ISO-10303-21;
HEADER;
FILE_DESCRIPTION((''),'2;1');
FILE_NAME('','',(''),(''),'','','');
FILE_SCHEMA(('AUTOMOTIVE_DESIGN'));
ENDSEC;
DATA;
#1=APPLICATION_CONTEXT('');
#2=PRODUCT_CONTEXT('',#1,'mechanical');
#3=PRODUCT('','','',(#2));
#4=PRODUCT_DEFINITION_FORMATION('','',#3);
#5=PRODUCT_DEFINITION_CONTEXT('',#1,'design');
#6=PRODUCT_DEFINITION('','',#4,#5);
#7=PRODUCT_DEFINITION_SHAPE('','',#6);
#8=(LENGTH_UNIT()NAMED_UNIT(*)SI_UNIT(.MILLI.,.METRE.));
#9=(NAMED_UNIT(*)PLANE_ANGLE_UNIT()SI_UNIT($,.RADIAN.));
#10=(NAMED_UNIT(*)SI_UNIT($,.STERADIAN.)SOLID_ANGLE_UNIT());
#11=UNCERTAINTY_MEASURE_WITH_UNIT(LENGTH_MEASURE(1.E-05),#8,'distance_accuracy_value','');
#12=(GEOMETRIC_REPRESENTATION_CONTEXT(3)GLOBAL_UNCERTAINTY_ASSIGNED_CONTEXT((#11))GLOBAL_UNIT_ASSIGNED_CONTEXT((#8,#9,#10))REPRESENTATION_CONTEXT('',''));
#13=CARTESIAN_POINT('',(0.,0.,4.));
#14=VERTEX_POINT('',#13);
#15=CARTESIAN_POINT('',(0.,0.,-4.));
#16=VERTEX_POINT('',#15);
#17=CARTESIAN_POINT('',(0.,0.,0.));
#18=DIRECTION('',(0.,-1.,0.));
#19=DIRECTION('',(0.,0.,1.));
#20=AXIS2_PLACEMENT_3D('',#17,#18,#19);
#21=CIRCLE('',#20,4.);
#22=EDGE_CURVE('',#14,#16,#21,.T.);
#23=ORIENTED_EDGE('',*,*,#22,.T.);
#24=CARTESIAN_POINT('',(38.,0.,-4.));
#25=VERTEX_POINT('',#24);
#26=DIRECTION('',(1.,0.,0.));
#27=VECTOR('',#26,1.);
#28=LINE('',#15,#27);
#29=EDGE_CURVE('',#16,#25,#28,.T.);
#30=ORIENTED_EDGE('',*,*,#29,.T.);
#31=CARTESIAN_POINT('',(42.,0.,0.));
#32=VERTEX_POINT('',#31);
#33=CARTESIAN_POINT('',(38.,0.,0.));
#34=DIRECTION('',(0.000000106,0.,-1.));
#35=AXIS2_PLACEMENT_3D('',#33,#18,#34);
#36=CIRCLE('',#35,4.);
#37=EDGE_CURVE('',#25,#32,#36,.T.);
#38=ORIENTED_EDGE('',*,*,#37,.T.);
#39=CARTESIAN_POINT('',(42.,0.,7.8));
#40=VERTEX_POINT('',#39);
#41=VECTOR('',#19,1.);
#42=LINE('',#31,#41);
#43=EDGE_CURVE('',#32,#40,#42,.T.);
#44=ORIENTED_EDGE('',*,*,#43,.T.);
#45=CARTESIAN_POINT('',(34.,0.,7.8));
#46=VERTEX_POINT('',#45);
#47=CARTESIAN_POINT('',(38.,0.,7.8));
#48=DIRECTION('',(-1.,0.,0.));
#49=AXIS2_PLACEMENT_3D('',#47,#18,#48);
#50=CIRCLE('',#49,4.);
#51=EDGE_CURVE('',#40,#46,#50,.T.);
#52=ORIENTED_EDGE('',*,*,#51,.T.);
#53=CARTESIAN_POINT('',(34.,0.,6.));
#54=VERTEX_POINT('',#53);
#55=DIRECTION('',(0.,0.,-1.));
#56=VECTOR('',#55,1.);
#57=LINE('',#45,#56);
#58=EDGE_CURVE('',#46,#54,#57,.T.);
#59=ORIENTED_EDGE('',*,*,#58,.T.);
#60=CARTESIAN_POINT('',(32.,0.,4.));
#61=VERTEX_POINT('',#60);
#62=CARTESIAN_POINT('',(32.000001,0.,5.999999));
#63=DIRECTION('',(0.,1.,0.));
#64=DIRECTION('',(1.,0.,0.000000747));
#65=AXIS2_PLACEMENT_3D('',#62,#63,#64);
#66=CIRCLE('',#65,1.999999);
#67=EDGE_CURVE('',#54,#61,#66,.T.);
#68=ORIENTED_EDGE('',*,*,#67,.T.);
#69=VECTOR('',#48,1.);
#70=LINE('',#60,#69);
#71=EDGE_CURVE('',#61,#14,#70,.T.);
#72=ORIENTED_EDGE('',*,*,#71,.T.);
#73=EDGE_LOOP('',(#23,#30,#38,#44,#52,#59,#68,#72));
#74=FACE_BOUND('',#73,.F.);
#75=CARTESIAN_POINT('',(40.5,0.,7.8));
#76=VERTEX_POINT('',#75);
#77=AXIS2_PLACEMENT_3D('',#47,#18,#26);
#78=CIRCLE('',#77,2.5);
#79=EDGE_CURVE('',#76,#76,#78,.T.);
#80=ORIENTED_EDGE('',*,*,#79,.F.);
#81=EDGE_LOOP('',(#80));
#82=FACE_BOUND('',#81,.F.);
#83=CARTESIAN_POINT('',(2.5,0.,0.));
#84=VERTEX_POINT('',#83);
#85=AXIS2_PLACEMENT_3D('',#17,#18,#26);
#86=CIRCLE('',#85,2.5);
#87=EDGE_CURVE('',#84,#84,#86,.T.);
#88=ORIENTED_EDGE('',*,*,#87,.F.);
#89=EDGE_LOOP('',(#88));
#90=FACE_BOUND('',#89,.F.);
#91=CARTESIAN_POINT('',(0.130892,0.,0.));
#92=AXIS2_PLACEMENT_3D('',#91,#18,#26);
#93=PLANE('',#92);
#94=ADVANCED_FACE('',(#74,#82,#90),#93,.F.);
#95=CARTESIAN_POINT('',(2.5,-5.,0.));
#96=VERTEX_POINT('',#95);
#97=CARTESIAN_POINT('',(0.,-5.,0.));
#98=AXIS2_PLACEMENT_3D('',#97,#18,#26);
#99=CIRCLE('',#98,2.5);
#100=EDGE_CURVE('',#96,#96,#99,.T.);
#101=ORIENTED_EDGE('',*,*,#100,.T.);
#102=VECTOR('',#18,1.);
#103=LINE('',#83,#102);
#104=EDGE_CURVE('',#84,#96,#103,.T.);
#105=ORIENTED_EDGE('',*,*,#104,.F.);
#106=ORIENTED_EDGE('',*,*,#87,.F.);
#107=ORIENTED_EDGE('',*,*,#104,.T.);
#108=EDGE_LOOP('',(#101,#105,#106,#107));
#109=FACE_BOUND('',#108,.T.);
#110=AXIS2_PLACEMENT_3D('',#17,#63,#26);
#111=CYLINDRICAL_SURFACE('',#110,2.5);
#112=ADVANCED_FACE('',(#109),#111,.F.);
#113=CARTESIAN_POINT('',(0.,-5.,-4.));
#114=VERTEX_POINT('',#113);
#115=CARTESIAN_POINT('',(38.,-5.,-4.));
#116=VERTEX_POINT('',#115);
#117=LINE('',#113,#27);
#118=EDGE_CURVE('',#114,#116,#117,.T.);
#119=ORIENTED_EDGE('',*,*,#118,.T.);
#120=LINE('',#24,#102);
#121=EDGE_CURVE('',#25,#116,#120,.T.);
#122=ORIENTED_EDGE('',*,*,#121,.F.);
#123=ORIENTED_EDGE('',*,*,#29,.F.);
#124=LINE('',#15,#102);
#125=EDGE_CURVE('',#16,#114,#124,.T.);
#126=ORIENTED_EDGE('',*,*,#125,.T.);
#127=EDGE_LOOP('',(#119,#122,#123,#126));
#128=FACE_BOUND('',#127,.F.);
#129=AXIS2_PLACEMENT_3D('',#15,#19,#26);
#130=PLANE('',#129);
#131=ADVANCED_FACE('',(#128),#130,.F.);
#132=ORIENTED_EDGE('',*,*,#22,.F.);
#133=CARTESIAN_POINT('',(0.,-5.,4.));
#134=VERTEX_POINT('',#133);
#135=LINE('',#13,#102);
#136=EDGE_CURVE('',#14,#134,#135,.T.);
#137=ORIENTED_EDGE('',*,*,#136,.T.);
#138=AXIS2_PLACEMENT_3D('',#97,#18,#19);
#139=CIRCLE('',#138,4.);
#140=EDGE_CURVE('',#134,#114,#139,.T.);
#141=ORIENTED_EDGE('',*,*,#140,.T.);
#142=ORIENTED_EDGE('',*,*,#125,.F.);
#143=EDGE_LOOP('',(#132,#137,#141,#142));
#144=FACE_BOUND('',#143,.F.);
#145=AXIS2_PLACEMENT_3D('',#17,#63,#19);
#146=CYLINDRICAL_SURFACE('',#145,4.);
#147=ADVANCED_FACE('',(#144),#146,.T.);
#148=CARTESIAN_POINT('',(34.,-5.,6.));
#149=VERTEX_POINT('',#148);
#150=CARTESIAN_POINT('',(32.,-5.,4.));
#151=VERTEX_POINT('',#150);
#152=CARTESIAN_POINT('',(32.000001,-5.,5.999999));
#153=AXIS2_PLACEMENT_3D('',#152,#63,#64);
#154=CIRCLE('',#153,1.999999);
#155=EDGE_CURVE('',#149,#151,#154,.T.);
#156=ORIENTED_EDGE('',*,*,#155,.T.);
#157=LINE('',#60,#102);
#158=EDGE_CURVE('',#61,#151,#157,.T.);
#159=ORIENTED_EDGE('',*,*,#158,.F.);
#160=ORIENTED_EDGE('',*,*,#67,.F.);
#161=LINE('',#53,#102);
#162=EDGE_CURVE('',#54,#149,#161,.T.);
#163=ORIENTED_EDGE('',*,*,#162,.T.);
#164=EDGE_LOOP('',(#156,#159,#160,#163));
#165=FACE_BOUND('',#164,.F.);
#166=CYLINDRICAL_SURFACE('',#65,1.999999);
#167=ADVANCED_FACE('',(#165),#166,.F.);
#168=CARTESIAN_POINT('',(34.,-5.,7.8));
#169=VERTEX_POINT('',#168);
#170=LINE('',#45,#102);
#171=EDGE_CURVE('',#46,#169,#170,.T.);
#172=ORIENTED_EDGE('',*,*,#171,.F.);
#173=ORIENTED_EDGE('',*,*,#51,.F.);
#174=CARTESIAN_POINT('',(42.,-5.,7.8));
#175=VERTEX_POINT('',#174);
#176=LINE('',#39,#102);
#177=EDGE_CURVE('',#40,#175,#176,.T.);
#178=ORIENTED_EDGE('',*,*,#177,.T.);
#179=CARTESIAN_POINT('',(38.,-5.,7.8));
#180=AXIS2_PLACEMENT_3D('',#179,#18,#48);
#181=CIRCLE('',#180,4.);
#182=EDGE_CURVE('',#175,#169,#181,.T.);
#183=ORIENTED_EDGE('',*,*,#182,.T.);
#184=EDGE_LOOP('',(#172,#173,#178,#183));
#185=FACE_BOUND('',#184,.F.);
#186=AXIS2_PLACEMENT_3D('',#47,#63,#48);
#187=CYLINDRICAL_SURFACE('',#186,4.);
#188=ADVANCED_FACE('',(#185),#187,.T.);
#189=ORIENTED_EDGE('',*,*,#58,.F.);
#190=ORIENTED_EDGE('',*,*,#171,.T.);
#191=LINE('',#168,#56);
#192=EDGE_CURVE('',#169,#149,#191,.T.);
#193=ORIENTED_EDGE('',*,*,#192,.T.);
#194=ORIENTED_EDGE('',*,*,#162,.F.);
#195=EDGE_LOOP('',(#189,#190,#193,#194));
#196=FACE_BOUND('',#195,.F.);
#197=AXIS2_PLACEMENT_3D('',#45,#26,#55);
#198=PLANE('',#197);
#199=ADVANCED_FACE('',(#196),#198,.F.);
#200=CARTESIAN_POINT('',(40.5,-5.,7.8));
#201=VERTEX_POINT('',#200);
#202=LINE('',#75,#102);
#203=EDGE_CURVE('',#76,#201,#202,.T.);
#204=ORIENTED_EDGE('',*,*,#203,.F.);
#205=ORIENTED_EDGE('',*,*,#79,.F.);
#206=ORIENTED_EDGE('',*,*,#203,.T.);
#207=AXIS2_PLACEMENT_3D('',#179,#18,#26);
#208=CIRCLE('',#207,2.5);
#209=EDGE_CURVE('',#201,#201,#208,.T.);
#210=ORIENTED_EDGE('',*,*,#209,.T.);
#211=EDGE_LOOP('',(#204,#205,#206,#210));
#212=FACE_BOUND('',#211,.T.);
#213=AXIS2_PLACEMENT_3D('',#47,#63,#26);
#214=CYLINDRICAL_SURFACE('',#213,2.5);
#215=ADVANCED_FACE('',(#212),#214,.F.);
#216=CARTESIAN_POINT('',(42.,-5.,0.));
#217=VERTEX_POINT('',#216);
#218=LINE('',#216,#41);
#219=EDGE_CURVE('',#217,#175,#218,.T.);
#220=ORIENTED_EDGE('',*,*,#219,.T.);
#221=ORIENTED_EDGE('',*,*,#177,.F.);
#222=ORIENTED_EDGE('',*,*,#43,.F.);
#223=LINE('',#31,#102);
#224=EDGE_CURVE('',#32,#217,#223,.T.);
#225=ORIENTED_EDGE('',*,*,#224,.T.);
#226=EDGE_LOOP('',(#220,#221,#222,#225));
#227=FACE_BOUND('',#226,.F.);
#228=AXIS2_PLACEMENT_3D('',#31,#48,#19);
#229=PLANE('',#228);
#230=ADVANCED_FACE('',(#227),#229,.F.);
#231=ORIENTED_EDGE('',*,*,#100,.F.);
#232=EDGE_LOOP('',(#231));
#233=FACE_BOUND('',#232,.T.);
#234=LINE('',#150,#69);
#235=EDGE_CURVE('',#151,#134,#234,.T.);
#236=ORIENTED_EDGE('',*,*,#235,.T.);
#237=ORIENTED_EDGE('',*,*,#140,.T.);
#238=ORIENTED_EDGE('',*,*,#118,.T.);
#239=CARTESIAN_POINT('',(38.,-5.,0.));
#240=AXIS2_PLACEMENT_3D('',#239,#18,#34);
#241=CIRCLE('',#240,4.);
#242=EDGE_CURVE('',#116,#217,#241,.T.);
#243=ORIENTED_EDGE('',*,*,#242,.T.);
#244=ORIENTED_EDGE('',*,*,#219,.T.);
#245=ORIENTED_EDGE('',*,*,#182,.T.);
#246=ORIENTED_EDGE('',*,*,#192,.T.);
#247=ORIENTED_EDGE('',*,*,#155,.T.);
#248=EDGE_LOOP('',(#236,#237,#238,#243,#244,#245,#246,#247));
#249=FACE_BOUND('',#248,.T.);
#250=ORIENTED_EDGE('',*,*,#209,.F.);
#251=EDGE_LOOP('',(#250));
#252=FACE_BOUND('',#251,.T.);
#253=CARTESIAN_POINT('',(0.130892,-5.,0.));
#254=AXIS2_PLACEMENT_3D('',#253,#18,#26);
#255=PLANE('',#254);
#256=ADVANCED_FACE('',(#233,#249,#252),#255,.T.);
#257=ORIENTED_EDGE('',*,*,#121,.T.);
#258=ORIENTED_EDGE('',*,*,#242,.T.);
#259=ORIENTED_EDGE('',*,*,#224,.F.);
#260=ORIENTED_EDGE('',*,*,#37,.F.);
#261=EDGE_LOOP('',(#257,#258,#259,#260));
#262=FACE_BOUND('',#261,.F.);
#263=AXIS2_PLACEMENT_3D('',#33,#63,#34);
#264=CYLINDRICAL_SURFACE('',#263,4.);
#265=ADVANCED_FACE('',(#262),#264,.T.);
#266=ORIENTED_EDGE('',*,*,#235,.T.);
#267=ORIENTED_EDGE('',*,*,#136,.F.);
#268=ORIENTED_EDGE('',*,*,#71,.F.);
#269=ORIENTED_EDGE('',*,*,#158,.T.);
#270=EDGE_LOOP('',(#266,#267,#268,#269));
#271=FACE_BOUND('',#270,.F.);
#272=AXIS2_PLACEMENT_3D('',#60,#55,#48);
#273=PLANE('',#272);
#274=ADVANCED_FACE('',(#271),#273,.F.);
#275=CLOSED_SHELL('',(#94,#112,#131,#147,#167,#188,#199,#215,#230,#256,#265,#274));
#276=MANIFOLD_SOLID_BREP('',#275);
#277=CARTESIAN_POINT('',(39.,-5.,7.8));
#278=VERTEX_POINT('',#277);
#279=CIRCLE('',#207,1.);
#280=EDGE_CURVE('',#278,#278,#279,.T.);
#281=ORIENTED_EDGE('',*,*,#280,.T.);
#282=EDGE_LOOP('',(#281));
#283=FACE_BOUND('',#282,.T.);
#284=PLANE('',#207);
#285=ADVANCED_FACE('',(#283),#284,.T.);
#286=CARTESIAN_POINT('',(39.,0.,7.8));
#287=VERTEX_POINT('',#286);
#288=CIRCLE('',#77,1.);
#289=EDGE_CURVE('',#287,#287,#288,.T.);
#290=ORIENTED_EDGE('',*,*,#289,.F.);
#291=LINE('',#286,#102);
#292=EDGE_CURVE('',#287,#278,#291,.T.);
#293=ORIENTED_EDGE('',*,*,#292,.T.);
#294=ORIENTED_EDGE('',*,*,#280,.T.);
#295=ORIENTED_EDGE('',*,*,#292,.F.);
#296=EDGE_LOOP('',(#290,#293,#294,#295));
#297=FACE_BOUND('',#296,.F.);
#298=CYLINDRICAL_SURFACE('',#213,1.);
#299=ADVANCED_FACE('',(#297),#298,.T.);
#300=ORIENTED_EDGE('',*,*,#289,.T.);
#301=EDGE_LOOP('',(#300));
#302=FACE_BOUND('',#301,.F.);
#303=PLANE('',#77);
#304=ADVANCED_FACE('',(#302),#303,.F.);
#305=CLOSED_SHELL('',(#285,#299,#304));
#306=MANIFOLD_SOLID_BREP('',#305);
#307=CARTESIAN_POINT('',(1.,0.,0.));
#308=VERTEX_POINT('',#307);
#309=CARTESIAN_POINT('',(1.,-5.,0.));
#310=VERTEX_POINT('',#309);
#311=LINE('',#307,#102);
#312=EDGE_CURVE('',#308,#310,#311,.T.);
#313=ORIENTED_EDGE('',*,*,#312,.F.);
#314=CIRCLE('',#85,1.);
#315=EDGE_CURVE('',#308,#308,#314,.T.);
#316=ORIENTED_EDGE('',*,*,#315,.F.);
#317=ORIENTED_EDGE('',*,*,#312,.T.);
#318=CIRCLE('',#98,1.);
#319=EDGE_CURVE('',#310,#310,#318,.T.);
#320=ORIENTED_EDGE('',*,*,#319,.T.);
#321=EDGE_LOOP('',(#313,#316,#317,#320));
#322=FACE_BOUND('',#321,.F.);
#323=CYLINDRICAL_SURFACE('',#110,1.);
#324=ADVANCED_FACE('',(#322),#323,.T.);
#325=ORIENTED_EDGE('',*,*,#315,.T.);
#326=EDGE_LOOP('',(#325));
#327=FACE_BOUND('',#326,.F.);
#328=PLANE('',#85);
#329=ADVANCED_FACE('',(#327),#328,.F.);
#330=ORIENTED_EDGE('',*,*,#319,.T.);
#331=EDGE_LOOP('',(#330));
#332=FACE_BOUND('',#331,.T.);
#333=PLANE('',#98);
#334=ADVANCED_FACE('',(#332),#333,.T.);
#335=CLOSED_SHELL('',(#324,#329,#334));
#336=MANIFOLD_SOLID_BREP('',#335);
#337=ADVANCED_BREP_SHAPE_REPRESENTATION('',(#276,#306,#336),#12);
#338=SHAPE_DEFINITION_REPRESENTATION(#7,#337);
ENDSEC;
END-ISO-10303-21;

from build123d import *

# Parameters (mm, degrees)
F0_R     = 2.5
F0_R_2   = 1
F1_DEPTH = 5


with BuildPart() as f1:
    # F0 (on Front) → F1 (new body)
    with BuildSketch(Plane.XZ):
        with BuildLine():
            ThreePointArc((0, -4), (2.828427, -2.828427), (4, 0))
            ThreePointArc((4, 0), (2.828427, 2.828427), (0, 4))
            ThreePointArc((0, 4), (-4, 0), (0, -4))
        make_face()
        Circle(F0_R, mode=Mode.SUBTRACT)
        with BuildLine():
            ThreePointArc((0, 4), (2.828427, 2.828427), (4, 0))
            ThreePointArc((4, 0), (2.828427, -2.828427), (0, -4))
            Line((0, -4), (38, -4))
            ThreePointArc((38, -4), (40.828427, -2.828427), (42, 0))
            Line((42, 0), (42, 7.8))
            ThreePointArc((42, 7.8), (38, 3.8), (34, 7.8))
            Line((34, 7.8), (34, 6))
            ThreePointArc((34, 6), (33.414214, 4.585786), (32, 4))
            Line((32, 4), (0, 4))
        make_face()
        with BuildLine():
            ThreePointArc((42, 7.8), (38, 11.8), (34, 7.8))
            ThreePointArc((34, 7.8), (38, 3.8), (42, 7.8))
        make_face()
        with Locations((38, 7.8)):
            Circle(F0_R, mode=Mode.SUBTRACT)
        Circle(F0_R_2)
        with Locations((38, 7.8)):
            Circle(F0_R_2)
    extrude(amount=F1_DEPTH)


solid = f1.part
